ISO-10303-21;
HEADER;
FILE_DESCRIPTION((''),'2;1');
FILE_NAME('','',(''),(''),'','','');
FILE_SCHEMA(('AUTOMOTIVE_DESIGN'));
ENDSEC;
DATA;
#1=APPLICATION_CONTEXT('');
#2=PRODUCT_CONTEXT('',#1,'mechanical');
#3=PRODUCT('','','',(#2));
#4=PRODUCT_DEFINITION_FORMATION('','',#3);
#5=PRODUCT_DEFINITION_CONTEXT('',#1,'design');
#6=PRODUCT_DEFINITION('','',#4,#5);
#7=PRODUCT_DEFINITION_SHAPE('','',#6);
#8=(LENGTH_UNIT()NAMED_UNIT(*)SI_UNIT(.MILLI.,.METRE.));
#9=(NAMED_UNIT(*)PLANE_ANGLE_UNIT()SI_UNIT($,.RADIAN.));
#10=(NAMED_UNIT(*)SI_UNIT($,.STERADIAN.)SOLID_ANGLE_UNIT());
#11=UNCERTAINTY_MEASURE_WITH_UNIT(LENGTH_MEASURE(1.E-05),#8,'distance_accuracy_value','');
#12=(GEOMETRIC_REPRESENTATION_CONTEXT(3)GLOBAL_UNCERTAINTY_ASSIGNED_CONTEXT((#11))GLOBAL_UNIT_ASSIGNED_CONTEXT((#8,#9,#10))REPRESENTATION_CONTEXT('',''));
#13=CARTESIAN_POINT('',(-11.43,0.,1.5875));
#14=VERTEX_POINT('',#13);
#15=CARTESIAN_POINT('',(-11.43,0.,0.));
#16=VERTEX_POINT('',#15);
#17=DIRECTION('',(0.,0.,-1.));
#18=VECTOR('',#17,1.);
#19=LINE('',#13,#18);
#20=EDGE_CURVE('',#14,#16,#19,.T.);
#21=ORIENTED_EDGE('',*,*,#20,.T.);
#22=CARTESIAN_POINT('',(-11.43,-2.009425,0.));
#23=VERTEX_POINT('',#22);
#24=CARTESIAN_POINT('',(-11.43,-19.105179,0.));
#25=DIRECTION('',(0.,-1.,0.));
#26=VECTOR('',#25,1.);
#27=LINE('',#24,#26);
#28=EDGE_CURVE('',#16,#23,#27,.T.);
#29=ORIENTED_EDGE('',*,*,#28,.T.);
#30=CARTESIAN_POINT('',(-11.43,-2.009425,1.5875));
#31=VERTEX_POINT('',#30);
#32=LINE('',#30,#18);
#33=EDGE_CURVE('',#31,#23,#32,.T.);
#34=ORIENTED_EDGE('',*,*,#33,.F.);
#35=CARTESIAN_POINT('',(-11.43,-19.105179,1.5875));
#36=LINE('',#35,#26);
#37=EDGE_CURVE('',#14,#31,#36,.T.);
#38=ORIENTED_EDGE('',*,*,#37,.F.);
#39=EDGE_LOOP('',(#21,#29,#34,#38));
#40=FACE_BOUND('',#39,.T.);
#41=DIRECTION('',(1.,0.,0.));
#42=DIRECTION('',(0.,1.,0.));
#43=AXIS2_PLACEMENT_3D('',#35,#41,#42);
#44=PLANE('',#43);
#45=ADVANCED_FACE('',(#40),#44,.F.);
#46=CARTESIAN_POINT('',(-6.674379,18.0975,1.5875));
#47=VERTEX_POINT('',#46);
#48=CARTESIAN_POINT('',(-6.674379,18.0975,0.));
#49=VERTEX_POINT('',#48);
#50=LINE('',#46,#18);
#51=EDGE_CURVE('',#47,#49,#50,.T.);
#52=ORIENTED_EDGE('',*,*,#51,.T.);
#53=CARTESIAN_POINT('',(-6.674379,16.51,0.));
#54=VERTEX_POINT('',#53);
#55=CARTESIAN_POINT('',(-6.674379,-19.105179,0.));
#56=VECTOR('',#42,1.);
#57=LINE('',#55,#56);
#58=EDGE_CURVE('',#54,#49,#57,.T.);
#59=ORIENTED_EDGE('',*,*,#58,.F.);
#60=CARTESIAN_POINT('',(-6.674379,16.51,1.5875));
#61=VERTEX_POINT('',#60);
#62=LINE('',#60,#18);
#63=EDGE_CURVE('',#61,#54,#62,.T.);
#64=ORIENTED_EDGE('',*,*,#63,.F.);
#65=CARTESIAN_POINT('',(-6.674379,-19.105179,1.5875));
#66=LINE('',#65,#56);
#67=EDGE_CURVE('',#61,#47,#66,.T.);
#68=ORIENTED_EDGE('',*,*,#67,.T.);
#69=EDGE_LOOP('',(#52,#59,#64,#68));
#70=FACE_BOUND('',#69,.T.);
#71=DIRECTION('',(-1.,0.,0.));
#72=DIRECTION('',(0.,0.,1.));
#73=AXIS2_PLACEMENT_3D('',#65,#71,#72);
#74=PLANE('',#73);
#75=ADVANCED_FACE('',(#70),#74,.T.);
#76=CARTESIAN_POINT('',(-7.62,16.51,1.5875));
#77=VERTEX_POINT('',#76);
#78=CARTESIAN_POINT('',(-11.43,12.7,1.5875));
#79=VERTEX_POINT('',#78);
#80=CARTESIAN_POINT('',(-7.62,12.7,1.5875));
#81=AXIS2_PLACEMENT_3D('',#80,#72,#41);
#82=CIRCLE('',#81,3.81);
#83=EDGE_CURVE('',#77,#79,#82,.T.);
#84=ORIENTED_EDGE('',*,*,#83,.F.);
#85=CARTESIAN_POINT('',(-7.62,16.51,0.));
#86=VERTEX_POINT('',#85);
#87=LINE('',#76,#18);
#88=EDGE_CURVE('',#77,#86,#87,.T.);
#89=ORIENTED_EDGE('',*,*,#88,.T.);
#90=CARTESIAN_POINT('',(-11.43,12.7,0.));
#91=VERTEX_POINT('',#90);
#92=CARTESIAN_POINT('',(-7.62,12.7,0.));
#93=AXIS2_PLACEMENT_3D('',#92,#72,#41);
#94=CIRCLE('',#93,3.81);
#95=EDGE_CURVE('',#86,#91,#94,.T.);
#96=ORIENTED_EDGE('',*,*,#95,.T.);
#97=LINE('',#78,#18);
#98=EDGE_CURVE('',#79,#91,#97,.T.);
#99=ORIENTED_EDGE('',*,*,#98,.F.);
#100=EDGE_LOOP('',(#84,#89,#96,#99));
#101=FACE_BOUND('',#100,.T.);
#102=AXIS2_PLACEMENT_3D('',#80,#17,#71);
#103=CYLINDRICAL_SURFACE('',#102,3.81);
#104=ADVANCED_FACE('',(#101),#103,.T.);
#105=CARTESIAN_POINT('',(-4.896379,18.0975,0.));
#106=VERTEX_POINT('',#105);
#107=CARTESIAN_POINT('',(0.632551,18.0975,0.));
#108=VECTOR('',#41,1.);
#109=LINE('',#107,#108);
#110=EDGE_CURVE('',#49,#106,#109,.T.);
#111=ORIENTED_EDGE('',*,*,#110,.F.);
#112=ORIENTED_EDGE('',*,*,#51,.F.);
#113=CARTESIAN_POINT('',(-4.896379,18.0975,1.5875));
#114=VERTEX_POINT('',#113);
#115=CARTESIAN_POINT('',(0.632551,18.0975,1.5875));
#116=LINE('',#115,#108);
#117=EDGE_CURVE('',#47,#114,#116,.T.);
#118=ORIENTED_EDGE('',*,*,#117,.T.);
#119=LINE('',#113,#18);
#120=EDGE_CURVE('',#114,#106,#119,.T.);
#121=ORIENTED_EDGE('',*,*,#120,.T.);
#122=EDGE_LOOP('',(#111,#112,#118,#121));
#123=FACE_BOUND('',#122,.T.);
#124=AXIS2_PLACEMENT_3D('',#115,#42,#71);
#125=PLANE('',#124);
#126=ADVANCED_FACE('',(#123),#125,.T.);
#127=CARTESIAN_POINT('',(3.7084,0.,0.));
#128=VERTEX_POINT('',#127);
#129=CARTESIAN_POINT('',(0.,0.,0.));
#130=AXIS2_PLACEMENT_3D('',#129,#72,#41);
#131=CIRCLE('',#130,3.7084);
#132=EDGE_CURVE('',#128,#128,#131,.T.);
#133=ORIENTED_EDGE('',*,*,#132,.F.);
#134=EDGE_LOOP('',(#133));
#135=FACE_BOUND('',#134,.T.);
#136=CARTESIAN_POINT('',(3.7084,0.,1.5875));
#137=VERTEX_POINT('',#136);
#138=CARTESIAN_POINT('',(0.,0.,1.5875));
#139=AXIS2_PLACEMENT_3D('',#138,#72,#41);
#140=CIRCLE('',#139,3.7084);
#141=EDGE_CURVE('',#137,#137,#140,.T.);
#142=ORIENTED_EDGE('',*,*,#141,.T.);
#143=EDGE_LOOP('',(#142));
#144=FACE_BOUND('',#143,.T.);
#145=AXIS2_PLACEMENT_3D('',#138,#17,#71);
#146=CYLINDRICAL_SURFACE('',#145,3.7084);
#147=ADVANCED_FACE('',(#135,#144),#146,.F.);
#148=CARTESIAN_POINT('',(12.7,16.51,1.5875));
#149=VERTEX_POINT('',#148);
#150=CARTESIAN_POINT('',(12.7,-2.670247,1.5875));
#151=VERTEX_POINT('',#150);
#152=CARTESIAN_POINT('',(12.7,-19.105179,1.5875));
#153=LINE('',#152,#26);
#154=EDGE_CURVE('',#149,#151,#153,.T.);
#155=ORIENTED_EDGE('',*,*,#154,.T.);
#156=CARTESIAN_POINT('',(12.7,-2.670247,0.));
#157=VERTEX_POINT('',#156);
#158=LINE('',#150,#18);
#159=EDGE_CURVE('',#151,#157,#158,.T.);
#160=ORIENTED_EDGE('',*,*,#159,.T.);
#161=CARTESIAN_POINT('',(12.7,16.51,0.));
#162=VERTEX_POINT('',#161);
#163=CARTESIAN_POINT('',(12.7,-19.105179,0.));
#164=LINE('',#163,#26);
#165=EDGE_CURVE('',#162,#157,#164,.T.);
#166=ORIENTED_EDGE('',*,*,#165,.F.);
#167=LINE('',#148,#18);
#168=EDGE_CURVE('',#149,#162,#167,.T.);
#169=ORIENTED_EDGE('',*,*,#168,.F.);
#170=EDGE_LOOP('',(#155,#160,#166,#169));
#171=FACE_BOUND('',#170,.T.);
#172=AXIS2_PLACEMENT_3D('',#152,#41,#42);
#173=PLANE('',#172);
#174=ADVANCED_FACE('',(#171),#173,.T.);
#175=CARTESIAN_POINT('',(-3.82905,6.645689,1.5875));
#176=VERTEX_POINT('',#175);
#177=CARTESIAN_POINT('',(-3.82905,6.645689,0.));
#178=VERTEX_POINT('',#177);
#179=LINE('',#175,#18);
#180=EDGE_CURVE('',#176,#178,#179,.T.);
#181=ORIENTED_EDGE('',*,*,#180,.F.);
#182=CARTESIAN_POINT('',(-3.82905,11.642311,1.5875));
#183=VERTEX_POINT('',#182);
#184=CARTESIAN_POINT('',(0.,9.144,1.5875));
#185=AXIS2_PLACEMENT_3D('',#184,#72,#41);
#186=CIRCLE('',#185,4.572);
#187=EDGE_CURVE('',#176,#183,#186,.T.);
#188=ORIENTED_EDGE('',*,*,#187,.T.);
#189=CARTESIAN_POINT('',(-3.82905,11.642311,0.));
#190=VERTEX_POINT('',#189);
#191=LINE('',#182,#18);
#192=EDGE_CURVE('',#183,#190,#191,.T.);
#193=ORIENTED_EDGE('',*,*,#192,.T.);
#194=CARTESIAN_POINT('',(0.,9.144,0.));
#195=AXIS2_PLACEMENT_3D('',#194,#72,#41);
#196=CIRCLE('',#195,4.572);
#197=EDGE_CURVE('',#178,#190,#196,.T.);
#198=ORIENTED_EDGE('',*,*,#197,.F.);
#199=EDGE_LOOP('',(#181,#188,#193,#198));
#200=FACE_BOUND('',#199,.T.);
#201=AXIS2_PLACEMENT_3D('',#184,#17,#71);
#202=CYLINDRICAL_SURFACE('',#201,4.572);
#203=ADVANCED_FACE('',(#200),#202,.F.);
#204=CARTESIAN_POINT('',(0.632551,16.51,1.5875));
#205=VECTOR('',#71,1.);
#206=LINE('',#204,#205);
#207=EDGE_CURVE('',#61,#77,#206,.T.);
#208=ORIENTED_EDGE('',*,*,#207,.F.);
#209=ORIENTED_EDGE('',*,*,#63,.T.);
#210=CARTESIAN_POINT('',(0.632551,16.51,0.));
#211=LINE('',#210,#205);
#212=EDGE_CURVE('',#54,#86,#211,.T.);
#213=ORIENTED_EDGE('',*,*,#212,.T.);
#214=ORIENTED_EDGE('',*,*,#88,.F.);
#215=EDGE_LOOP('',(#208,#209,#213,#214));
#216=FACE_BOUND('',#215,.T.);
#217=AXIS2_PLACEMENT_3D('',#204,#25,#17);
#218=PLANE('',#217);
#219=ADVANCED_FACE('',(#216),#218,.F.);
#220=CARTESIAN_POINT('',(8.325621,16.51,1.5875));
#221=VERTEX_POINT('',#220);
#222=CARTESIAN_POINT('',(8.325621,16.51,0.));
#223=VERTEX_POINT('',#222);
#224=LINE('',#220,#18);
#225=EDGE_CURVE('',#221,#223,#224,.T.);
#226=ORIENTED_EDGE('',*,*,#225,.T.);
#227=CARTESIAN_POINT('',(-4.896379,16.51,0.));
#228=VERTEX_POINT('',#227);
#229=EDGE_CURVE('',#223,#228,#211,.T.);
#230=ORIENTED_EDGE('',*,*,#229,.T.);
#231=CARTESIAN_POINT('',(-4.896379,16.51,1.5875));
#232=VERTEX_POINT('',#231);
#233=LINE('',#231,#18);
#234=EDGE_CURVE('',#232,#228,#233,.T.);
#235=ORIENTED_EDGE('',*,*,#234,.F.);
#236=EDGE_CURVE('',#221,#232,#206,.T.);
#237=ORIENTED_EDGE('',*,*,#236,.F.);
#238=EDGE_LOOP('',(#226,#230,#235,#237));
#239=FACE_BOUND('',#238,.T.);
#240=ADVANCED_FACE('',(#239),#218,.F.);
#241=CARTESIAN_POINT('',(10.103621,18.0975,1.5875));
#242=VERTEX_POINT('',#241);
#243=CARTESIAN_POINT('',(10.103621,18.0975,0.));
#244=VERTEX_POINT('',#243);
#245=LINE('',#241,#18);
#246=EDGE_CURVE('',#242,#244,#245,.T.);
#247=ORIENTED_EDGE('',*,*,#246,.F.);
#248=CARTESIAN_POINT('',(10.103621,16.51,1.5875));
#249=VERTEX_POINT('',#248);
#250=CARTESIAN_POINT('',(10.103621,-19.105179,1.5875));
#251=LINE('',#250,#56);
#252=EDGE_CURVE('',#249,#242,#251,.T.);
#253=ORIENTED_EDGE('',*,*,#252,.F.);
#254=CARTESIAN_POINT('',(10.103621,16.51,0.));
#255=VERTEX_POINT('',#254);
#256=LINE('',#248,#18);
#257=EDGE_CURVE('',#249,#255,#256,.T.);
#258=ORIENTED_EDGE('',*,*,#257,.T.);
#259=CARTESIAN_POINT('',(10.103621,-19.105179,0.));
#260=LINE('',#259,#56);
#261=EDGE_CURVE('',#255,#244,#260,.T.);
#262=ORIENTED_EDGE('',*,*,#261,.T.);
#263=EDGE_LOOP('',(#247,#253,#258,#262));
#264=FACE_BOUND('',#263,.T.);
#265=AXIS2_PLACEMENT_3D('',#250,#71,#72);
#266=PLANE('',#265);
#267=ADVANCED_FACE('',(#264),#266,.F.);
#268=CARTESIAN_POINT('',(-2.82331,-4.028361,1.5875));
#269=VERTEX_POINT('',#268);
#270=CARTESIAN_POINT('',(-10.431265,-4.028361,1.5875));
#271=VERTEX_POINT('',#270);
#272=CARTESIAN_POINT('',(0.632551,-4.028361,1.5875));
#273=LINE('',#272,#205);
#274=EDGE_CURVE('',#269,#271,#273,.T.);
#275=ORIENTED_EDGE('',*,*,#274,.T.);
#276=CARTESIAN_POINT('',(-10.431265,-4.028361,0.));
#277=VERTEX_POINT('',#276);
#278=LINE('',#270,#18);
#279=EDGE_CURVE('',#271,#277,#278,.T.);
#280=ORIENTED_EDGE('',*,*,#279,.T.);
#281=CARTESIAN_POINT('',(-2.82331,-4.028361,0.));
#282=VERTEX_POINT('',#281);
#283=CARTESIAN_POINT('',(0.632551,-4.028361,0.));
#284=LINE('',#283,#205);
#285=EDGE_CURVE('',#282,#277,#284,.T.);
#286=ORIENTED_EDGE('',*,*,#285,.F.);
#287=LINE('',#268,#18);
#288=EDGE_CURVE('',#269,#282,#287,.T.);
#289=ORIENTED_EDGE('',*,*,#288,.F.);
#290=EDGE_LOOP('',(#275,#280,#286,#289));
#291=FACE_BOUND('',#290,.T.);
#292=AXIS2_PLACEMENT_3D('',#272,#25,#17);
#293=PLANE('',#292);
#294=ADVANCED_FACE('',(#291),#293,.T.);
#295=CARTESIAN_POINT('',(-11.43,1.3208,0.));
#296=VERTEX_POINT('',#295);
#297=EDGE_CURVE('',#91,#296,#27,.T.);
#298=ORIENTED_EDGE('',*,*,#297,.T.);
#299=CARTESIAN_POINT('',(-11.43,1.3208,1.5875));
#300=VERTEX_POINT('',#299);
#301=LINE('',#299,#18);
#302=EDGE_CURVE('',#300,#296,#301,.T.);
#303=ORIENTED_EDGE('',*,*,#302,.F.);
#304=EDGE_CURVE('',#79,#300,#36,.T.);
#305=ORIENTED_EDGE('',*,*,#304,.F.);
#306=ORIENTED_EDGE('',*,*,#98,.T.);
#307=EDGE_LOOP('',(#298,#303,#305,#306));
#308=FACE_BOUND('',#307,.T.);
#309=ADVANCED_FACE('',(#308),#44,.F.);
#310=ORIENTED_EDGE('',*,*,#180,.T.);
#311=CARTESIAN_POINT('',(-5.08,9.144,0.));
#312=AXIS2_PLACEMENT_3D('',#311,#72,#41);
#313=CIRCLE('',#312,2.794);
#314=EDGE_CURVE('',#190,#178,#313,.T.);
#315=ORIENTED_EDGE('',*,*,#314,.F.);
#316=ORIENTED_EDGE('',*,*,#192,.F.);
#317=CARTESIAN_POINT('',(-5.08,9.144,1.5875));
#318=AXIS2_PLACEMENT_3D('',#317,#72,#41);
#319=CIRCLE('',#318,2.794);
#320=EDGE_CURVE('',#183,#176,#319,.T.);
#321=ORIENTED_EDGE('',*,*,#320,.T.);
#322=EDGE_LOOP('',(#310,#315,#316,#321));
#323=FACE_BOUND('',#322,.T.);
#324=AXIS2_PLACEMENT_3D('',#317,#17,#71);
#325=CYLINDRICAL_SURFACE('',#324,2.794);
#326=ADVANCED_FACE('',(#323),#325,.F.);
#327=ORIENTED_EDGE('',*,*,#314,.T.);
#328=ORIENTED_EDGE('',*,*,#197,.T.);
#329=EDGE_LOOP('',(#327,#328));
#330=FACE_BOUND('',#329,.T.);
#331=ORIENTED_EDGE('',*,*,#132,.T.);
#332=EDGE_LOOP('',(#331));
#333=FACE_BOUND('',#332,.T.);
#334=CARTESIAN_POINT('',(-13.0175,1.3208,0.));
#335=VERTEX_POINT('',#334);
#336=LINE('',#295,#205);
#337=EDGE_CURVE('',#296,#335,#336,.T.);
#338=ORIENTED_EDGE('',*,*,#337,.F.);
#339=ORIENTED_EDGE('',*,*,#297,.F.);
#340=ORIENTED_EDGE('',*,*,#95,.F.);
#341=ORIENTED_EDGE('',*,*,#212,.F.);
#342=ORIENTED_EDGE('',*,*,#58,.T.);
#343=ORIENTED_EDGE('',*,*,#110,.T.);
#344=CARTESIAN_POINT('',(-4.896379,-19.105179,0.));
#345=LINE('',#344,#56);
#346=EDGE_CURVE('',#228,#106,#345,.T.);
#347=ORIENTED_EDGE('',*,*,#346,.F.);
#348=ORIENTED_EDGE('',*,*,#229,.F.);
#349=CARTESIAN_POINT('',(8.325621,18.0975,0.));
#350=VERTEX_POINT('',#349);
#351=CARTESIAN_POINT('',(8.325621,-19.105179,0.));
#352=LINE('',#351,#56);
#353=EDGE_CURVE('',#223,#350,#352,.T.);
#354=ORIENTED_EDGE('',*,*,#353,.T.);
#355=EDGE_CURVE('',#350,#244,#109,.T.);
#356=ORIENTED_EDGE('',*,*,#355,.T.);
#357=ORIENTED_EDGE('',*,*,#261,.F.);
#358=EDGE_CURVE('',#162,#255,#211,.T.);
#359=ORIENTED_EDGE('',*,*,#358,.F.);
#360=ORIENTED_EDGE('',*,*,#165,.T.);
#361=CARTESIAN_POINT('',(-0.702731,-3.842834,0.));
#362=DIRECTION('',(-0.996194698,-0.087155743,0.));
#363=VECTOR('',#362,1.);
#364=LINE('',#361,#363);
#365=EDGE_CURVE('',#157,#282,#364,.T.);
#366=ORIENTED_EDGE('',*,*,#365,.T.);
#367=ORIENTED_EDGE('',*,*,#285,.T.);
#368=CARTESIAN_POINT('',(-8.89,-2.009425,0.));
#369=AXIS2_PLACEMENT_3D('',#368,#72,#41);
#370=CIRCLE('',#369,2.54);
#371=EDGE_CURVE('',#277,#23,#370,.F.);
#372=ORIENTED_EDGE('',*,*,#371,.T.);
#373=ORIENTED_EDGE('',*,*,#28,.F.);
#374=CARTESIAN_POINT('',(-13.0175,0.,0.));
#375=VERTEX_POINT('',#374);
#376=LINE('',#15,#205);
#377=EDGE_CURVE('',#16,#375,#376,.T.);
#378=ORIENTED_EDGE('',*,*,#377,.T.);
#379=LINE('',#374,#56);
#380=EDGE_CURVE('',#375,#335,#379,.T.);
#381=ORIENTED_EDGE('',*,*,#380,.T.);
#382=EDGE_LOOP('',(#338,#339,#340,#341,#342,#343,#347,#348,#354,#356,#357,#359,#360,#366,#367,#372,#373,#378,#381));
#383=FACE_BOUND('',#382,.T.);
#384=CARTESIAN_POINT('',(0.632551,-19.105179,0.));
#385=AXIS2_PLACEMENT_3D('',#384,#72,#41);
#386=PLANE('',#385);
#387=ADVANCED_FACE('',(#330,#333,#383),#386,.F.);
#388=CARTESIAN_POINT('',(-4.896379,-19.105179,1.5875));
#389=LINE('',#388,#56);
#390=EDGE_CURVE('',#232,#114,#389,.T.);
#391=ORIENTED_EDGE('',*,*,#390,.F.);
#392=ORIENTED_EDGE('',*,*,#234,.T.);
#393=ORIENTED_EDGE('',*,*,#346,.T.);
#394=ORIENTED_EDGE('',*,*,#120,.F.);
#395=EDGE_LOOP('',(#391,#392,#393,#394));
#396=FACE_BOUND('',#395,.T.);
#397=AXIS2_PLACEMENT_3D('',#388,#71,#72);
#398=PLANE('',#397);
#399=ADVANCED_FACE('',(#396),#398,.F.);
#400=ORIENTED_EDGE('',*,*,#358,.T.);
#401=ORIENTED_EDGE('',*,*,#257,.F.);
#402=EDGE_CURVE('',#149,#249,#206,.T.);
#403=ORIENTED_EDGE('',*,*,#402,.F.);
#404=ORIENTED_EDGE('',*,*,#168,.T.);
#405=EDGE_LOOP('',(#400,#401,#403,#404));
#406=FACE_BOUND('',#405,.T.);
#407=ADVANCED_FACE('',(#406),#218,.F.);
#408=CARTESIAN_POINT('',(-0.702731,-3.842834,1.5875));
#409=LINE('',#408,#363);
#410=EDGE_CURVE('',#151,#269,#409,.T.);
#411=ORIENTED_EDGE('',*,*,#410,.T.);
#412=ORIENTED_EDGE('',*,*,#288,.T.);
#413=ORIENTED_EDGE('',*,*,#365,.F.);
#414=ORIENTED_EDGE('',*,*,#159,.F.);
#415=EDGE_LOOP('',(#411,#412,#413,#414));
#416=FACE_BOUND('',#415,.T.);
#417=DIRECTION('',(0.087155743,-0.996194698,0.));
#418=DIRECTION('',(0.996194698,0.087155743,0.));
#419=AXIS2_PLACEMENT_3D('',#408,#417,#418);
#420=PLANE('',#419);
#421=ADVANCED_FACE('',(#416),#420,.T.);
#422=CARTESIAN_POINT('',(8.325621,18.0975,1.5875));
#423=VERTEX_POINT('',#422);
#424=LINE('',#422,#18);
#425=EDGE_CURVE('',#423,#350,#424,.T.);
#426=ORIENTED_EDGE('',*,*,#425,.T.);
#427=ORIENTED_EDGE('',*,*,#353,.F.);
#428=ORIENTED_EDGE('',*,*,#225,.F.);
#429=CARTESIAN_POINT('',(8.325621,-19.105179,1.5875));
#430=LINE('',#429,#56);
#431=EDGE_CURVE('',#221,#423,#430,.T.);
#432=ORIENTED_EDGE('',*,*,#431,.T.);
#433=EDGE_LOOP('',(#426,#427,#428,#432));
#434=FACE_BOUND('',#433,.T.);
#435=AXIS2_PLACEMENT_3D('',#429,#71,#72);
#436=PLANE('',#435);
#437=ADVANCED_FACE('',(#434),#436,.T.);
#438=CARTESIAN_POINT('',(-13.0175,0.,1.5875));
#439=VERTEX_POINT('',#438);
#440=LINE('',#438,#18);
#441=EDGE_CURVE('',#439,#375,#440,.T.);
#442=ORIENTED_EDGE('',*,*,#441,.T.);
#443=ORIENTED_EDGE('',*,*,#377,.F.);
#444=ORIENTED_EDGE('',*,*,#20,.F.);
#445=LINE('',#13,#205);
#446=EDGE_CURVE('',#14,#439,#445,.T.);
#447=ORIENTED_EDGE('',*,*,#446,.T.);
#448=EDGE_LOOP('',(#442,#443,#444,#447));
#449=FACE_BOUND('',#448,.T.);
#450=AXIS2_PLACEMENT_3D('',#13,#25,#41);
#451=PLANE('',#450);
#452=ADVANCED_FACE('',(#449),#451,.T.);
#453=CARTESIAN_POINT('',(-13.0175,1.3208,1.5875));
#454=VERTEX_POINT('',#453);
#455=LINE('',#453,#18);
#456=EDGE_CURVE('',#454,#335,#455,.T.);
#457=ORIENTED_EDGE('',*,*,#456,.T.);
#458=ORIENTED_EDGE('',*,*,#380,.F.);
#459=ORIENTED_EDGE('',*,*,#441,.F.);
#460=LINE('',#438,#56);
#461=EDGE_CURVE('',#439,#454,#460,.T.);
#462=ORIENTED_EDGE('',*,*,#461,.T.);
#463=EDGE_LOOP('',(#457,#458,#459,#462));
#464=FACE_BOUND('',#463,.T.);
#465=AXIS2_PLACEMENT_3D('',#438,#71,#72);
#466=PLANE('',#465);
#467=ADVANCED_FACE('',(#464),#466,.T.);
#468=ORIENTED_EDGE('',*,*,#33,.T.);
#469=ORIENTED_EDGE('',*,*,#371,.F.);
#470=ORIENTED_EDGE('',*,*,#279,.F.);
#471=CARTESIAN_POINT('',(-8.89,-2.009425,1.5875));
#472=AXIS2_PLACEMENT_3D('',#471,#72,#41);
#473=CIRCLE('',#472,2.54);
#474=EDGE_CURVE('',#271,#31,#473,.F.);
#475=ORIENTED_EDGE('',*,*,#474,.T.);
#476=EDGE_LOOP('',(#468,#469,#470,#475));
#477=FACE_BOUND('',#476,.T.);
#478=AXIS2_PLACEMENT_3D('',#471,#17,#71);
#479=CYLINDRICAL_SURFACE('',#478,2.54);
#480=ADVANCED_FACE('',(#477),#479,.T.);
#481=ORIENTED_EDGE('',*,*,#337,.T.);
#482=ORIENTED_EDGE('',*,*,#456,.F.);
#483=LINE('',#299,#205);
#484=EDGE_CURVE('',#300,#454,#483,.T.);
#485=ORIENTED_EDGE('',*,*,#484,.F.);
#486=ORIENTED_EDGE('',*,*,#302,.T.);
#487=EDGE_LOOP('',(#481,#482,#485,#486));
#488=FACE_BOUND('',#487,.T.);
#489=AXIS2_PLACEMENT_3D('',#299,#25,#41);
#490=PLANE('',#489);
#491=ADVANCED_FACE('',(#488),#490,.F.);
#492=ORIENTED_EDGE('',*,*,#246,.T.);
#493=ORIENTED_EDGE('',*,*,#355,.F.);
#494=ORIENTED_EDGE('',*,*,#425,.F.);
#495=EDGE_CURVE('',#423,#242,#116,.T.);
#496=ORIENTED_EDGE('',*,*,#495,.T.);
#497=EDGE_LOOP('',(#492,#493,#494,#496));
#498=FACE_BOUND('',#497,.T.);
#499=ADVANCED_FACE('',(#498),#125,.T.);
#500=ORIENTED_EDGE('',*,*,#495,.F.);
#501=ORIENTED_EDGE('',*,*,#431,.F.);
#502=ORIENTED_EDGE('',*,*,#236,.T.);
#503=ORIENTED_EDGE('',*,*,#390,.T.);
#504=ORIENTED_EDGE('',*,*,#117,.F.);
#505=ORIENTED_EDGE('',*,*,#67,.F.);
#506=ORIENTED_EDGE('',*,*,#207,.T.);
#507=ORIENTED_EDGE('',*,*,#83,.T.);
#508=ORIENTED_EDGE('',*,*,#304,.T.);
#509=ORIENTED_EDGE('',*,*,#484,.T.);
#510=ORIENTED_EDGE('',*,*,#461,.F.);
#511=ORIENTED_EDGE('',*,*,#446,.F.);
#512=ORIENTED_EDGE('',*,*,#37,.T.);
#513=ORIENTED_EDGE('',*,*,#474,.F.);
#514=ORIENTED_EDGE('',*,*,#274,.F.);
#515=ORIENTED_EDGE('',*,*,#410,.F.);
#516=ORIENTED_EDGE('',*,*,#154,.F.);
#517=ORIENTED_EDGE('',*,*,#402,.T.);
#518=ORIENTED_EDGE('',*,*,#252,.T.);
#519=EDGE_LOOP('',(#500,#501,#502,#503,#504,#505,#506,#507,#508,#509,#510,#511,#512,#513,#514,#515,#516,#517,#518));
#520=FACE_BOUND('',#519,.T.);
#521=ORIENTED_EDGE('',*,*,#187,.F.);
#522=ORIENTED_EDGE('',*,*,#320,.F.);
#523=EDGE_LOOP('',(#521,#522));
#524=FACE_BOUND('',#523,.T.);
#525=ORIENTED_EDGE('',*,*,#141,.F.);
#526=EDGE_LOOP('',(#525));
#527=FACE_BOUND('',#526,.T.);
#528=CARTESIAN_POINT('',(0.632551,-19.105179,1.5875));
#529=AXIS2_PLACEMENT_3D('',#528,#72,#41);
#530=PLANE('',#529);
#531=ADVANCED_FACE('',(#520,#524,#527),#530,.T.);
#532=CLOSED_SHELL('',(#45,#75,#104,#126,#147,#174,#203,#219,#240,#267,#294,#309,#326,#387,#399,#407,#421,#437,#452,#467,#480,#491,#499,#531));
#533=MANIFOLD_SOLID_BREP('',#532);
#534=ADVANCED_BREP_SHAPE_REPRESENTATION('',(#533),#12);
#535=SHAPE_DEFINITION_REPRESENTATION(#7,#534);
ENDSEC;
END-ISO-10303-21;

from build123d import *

# Parameters (mm, degrees)
SKETCH1_R           = 3.7084
SKETCH1_W           = 1.778
SKETCH1_H           = 1.5875
SKETCH1_W_2         = 1.5875
SKETCH1_H_2         = 1.3208
BOSS_EXTRUDE1_DEPTH = 1.5875


with BuildPart() as part:
    # Sketch1 → Boss-Extrude1 (new body)
    # profile 1 of 4: a face of its own
    with BuildSketch(Plane.XY):
        with BuildLine():
            Line((-10.431265191, -4.028360607), (-2.823309713, -4.028360607))
            Line((-2.823309713, -4.028360607), (12.7, -2.670246987))
            Line((12.7, -2.670246987), (12.7, 16.51))
            Line((12.7, 16.51), (10.10362126, 16.51))
            Line((10.10362126, 16.51), (8.32562126, 16.51))
            Line((8.32562126, 16.51), (-4.89637874, 16.51))
            Line((-4.89637874, 16.51), (-6.67437874, 16.51))
            Line((-6.67437874, 16.51), (-7.62, 16.51))
            ThreePointArc((-7.62, 16.51), (-10.314076836, 15.394076836), (-11.43, 12.7))
            Line((-11.43, 12.7), (-11.43, 1.3208))
            Line((-11.43, 1.3208), (-11.43, 0))
            Line((-11.43, 0), (-11.43, -2.009424845))
            ThreePointArc((-11.43, -2.009424845), (-11.166665718, -3.135654487), (-10.431265191, -4.028360607))
        make_face()
        Circle(SKETCH1_R, mode=Mode.SUBTRACT)
        with BuildLine():
            ThreePointArc((-3.82905, 11.642311449), (4.572, 9.144), (-3.82905, 6.645688551))
            ThreePointArc((-3.82905, 6.645688551), (-7.874, 9.144), (-3.82905, 11.642311449))
        make_face(mode=Mode.SUBTRACT)
    # profile 2 of 4: a face of its own
    with BuildSketch(Plane.XY):
        with Locations((-5.78537874, 17.30375)):
            Rectangle(SKETCH1_W, SKETCH1_H)
    # profile 3 of 4: a face of its own
    with BuildSketch(Plane.XY):
        with Locations((9.21462126, 17.30375)):
            Rectangle(SKETCH1_W, SKETCH1_H)
    # profile 4 of 4: a face of its own
    with BuildSketch(Plane.XY):
        with Locations((-12.22375, 0.6604)):
            Rectangle(SKETCH1_W_2, SKETCH1_H_2)
    extrude(amount=BOSS_EXTRUDE1_DEPTH)


solid = part.part
